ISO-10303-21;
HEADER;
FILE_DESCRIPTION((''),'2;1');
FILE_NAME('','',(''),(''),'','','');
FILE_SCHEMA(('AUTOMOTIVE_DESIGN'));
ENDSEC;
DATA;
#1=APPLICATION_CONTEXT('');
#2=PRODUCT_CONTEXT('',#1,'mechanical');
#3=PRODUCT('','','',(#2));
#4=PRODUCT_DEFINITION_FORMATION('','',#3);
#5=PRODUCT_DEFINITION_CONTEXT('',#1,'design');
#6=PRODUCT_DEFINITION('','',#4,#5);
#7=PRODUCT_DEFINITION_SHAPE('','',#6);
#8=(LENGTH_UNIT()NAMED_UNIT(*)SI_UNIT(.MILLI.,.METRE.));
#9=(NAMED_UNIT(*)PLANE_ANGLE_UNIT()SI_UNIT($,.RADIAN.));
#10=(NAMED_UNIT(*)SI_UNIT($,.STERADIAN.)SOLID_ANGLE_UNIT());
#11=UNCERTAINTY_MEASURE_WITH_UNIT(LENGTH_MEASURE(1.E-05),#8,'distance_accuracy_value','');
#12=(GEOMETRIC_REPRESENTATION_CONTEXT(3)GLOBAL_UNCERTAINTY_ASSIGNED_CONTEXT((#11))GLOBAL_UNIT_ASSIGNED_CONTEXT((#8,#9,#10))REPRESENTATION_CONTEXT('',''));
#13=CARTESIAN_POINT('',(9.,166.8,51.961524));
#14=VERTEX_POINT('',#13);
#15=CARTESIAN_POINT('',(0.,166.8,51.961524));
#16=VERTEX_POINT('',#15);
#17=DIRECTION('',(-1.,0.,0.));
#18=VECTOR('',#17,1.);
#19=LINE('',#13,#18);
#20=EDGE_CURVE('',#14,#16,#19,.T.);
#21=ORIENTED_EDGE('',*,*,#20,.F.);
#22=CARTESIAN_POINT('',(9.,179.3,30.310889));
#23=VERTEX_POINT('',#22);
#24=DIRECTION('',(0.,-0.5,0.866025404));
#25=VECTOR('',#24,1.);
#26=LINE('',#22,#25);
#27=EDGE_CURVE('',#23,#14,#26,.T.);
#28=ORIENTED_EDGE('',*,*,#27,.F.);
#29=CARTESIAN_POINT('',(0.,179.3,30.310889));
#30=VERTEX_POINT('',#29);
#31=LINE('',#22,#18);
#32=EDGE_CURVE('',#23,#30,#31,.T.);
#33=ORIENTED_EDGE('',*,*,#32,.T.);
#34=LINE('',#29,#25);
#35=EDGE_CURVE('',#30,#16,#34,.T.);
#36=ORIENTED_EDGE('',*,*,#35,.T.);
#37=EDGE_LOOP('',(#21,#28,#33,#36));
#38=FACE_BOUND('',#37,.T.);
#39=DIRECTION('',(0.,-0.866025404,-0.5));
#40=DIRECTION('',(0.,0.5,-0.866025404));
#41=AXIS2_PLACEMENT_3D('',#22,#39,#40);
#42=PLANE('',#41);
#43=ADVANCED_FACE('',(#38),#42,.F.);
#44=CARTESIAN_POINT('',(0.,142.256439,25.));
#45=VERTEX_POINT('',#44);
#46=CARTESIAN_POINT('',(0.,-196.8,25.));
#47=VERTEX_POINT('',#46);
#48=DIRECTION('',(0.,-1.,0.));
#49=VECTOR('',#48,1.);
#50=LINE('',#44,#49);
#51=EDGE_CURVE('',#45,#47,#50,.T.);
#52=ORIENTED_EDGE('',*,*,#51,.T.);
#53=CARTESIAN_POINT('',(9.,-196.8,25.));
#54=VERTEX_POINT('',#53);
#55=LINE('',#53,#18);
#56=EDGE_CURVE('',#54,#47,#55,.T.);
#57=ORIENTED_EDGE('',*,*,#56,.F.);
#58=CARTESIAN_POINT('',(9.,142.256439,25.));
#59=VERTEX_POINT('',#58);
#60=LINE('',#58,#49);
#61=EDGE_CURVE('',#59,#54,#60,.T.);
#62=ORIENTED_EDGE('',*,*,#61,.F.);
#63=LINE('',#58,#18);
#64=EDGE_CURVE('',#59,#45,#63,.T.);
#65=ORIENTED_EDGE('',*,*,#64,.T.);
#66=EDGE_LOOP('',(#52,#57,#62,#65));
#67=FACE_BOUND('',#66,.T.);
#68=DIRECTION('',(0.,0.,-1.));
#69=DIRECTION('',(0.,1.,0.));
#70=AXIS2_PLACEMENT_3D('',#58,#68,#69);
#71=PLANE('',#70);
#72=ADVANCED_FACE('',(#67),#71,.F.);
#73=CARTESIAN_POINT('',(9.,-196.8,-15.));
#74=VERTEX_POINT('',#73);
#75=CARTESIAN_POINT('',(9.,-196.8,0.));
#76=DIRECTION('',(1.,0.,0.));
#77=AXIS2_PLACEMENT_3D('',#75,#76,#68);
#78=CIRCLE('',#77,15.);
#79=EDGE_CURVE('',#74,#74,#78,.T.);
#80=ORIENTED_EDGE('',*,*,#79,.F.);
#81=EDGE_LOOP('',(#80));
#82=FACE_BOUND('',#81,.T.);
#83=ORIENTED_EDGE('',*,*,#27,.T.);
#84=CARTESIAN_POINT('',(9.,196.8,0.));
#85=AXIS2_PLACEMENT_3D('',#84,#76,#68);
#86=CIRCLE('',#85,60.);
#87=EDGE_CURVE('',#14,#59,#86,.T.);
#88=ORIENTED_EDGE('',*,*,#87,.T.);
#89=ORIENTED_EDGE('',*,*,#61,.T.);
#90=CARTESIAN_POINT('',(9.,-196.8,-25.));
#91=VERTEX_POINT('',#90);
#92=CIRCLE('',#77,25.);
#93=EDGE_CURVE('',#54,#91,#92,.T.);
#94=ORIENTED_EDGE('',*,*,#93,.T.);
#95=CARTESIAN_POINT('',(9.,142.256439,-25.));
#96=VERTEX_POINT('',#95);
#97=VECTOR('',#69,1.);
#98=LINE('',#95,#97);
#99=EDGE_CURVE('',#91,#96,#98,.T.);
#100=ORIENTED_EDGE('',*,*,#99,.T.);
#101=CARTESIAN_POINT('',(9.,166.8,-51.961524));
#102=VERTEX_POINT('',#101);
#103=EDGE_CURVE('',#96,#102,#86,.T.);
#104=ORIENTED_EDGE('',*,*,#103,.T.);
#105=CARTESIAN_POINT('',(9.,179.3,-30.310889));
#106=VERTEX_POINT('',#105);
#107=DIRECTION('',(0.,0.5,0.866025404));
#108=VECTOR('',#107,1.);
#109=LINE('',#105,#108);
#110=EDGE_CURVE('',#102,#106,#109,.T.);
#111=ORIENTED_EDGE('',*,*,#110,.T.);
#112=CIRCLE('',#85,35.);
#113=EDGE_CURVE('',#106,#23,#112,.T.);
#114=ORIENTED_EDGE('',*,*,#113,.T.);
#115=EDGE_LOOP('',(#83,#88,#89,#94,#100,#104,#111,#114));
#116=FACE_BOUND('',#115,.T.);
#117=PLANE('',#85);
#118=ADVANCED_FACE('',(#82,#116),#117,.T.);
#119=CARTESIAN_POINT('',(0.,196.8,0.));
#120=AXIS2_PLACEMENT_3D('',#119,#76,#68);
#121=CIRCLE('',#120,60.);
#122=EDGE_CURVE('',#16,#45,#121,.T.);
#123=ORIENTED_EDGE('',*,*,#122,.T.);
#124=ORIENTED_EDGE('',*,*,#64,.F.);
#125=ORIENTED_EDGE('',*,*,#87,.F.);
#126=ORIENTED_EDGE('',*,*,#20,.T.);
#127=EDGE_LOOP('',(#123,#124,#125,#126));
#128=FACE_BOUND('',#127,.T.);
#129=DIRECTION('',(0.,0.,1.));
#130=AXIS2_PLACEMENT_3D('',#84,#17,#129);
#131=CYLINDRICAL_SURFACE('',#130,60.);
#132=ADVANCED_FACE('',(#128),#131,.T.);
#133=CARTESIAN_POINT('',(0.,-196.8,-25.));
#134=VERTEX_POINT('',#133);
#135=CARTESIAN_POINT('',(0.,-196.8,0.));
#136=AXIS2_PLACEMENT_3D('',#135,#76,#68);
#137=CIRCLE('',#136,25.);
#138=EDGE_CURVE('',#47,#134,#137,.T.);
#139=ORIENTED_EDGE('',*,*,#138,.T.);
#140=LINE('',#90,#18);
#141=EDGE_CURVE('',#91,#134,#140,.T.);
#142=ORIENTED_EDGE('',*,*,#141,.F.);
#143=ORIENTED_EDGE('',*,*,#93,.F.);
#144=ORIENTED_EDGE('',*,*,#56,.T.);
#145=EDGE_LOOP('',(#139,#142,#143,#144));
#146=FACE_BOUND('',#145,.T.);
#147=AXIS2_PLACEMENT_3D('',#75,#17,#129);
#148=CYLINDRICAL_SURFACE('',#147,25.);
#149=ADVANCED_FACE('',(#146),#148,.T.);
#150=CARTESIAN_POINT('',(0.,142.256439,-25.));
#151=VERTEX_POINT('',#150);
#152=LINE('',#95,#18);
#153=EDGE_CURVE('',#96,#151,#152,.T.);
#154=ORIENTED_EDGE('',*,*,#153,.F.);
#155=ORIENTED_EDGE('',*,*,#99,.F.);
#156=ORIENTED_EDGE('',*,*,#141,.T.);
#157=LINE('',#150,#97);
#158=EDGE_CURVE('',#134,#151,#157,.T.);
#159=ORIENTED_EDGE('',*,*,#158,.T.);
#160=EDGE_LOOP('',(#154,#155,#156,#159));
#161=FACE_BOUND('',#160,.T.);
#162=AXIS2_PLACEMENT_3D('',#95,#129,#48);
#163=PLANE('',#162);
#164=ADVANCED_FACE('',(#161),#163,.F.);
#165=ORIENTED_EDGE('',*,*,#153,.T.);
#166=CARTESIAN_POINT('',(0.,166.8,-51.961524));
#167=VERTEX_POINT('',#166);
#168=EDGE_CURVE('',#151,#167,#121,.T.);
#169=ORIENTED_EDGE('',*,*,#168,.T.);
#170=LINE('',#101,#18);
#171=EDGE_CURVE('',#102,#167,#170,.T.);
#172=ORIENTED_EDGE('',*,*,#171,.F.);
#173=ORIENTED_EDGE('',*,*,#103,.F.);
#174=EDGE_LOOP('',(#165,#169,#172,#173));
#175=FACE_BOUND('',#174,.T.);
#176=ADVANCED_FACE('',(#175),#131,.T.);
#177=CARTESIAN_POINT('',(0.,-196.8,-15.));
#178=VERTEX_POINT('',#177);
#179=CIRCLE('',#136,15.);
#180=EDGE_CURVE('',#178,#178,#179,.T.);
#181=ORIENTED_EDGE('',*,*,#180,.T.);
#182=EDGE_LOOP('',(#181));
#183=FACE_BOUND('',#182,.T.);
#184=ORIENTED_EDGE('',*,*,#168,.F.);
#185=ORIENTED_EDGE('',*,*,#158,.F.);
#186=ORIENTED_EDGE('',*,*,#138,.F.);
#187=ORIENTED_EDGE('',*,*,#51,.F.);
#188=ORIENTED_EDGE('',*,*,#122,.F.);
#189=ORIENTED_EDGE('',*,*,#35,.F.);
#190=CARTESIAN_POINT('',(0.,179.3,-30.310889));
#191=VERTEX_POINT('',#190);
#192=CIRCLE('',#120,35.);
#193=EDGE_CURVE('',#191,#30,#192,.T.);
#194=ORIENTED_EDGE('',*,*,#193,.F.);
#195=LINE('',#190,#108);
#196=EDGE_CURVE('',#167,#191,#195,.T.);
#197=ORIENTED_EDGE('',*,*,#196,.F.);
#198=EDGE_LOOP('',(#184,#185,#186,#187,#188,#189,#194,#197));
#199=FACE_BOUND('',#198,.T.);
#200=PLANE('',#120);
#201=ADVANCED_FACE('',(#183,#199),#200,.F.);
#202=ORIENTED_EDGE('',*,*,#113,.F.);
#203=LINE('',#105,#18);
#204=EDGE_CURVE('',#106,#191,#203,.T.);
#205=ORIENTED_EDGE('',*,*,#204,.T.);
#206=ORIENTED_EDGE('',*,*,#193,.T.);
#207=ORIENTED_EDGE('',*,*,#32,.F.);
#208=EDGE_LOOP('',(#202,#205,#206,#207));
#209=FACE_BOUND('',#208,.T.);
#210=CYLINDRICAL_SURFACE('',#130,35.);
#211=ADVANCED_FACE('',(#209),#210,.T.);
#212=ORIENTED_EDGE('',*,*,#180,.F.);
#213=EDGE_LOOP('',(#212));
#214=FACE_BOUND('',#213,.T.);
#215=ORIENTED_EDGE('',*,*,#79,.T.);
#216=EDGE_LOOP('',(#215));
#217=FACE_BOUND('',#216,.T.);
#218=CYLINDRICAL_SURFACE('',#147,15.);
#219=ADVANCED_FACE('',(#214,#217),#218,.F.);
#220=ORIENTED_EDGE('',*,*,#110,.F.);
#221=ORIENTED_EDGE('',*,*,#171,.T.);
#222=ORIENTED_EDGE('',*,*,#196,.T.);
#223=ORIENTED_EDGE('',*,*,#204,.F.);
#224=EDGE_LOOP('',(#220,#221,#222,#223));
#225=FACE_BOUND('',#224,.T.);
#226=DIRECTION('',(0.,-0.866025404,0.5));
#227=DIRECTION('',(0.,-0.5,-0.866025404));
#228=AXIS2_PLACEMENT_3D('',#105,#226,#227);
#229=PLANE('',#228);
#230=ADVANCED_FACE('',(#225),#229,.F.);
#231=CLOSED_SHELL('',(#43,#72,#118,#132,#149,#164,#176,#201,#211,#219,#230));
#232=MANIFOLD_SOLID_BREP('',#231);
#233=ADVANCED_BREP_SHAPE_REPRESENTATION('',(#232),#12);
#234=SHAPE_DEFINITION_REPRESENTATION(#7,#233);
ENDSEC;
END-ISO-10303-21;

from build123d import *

# Parameters (mm, degrees)
SKETCH1_R           = 15
BOSS_EXTRUDE1_DEPTH = 9


with BuildPart() as part:
    # Sketch1 → Boss-Extrude1 (new body)
    with BuildSketch(Plane(origin=(0, 0, 0), x_dir=(0, 0, -1), z_dir=(1, 0, 0))):
        with BuildLine():
            Line((30.310889132, 179.3), (51.961524227, 166.8))
            ThreePointArc((51.961524227, 166.8), (40.390167668, 152.430704809), (25, 142.256439427))
            Line((25, 142.256439427), (25, -196.8))
            ThreePointArc((25, -196.8), (0, -221.8), (-25, -196.8))
            Line((-25, -196.8), (-25, 142.256439427))
            ThreePointArc((-25, 142.256439427), (-40.390167668, 152.430704809), (-51.961524227, 166.8))
            Line((-51.961524227, 166.8), (-30.310889132, 179.3))
            ThreePointArc((-30.310889132, 179.3), (0, 231.8), (30.310889132, 179.3))
        make_face()
        with Locations((0, -196.8)):
            Circle(SKETCH1_R, mode=Mode.SUBTRACT)
    extrude(amount=BOSS_EXTRUDE1_DEPTH)


solid = part.part
